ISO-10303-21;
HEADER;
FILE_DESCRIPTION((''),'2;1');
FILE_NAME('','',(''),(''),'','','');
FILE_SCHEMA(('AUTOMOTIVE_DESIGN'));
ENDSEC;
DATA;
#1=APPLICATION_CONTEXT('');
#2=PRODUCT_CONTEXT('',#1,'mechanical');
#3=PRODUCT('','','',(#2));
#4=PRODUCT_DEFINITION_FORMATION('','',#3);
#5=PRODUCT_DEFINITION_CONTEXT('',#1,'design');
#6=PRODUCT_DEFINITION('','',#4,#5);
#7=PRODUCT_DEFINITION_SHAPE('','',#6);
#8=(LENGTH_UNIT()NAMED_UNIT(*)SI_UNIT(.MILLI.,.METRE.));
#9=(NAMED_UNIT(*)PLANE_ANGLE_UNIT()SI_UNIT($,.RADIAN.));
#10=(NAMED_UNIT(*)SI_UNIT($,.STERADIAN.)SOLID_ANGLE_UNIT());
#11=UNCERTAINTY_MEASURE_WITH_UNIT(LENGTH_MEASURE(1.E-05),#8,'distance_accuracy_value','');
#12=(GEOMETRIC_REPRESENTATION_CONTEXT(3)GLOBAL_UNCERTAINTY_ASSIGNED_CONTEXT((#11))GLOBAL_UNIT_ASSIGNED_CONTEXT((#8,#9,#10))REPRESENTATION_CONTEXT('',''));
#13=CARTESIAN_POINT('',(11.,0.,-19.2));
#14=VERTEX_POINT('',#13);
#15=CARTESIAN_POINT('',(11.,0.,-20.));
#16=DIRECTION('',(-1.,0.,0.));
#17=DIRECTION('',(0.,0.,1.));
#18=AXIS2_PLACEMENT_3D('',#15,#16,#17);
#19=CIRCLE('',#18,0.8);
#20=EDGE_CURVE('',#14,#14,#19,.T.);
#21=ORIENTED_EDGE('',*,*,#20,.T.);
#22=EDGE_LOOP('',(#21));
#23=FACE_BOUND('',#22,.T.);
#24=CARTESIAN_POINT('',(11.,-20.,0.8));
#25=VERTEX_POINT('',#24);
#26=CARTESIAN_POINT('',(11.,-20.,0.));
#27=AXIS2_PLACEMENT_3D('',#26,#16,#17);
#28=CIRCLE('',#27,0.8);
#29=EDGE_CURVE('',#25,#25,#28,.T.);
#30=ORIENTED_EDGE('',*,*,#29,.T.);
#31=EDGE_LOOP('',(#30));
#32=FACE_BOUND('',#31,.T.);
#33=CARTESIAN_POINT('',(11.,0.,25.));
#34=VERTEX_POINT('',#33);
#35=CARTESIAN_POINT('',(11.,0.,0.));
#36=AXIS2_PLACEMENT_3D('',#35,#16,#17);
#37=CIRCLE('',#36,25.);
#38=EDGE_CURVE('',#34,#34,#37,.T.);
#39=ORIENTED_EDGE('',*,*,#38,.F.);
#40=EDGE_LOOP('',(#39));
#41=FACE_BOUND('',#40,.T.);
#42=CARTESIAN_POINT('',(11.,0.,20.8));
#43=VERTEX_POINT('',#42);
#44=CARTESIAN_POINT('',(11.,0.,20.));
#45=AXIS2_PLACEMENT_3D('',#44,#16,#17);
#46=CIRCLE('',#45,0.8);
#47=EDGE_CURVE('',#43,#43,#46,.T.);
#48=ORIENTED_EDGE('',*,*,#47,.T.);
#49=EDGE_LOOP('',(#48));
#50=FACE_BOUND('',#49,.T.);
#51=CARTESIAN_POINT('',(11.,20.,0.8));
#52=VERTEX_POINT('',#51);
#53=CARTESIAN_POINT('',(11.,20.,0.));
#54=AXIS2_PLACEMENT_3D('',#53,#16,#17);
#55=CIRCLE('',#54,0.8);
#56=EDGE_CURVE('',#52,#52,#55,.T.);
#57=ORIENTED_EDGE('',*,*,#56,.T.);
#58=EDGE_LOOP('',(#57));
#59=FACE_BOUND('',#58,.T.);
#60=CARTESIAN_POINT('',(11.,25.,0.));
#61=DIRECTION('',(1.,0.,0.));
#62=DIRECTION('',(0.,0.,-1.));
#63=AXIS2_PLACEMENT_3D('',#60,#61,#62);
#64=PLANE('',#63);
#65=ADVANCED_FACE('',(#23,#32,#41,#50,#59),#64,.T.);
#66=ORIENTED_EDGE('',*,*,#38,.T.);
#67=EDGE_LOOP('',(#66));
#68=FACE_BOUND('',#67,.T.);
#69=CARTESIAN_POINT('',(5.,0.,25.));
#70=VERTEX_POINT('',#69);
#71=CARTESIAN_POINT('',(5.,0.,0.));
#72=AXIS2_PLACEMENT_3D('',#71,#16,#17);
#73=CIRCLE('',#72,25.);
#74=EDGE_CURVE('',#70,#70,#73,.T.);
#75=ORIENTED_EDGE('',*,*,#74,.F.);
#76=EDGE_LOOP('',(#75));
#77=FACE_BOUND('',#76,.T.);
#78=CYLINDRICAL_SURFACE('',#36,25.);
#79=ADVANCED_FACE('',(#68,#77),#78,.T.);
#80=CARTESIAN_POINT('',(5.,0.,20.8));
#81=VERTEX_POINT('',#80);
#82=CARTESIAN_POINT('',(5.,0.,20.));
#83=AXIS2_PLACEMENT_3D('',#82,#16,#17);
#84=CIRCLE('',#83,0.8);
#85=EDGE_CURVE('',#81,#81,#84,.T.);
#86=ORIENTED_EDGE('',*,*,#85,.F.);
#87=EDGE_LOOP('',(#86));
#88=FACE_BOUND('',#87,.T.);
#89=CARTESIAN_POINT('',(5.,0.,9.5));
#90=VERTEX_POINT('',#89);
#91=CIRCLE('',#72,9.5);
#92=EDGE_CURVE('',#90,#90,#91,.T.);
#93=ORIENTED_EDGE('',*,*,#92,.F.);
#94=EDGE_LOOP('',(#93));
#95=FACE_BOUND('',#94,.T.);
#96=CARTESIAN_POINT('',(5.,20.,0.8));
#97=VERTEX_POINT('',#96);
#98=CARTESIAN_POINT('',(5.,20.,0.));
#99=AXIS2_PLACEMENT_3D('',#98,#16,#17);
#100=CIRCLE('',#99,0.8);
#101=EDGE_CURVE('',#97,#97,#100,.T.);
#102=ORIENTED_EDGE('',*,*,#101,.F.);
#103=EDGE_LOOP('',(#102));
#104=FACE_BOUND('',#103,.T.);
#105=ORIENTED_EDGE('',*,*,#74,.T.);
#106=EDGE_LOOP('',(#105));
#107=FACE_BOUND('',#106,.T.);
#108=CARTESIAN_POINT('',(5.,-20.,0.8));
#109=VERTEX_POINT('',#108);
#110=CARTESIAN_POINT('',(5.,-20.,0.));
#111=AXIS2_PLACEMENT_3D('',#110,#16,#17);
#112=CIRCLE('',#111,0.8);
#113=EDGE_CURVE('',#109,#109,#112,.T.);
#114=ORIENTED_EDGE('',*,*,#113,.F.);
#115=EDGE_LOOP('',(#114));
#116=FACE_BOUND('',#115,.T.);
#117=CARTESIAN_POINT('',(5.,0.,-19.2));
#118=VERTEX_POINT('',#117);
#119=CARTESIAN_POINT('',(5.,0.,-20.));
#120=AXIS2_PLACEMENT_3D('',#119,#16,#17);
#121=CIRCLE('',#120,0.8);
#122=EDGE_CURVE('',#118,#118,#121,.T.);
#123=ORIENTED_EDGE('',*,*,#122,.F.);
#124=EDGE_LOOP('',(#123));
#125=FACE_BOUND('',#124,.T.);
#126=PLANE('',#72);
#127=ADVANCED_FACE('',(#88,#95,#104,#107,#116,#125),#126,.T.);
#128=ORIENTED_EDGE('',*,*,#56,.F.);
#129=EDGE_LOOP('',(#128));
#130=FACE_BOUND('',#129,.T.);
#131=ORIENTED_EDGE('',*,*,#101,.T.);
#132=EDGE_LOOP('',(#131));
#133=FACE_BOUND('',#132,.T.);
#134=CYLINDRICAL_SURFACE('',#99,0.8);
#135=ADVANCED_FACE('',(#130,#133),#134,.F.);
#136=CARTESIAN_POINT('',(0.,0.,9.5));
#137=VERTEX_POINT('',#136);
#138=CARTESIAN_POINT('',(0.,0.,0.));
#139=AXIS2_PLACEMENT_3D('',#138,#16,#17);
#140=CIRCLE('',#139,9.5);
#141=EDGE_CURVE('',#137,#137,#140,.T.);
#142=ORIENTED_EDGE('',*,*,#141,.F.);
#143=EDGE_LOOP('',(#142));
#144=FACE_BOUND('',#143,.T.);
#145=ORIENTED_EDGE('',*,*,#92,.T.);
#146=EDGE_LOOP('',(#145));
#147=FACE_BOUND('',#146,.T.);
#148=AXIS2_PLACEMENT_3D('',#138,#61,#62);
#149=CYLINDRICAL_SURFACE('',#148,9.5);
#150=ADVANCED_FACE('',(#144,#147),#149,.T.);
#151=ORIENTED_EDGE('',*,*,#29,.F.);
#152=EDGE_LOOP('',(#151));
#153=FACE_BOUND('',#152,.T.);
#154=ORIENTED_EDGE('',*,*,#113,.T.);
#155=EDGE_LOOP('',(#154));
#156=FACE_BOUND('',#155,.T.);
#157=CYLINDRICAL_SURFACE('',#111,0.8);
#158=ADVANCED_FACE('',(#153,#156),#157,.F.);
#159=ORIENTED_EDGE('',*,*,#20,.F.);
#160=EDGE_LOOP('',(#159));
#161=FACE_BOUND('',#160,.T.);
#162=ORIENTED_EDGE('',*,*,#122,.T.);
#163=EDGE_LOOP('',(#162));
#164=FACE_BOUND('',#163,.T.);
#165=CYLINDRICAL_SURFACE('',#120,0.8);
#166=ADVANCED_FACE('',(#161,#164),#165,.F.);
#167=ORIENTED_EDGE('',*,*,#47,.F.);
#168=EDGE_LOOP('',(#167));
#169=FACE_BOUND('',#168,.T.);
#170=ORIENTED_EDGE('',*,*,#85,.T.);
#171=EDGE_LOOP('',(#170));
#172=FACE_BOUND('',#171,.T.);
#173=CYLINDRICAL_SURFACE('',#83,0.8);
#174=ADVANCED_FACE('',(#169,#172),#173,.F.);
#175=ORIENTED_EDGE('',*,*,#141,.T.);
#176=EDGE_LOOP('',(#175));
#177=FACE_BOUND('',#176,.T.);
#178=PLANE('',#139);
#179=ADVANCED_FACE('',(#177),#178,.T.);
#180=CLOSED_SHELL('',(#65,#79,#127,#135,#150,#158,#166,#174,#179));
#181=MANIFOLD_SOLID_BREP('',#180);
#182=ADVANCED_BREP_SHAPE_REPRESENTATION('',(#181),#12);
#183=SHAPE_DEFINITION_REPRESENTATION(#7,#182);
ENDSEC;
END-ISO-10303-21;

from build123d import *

# Parameters (mm, degrees)
SKETCH_1_W                  = 6
SKETCH_1_H                  = 25
SKETCH_2_R                  = 9.5
EXTRUDE_1_DEPTH             = 5
HOLE_WIZARD_1_6_1_6_1_D     = 1.6
HOLE_WIZARD_1_6_1_6_1_DEPTH = 6


with BuildPart() as part:
    # 스케치1 → 회전1 (revolve)
    with BuildSketch(Plane(origin=(0, 0, 0), x_dir=(-1, 0, 0), z_dir=(0, 0, -1))):
        with Locations((-8, 12.5)):
            Rectangle(SKETCH_1_W, SKETCH_1_H)
    revolve(axis=Axis((11, 0, 0), (-1, 0, 0)))

    # 스케치2 → 보스-돌출1 (add)
    with BuildSketch(Plane.ZY.offset(-5)):
        Circle(SKETCH_2_R)
    extrude(amount=EXTRUDE_1_DEPTH)

    # Ø1.6 (1.6) 지름 구멍1
    with Locations(Plane.ZY.offset(-5)):
        with Locations((0, 20), (-20, 0), (0, -20), (20, 0)):
            Hole(HOLE_WIZARD_1_6_1_6_1_D / 2, depth=HOLE_WIZARD_1_6_1_6_1_DEPTH)


solid = part.part
